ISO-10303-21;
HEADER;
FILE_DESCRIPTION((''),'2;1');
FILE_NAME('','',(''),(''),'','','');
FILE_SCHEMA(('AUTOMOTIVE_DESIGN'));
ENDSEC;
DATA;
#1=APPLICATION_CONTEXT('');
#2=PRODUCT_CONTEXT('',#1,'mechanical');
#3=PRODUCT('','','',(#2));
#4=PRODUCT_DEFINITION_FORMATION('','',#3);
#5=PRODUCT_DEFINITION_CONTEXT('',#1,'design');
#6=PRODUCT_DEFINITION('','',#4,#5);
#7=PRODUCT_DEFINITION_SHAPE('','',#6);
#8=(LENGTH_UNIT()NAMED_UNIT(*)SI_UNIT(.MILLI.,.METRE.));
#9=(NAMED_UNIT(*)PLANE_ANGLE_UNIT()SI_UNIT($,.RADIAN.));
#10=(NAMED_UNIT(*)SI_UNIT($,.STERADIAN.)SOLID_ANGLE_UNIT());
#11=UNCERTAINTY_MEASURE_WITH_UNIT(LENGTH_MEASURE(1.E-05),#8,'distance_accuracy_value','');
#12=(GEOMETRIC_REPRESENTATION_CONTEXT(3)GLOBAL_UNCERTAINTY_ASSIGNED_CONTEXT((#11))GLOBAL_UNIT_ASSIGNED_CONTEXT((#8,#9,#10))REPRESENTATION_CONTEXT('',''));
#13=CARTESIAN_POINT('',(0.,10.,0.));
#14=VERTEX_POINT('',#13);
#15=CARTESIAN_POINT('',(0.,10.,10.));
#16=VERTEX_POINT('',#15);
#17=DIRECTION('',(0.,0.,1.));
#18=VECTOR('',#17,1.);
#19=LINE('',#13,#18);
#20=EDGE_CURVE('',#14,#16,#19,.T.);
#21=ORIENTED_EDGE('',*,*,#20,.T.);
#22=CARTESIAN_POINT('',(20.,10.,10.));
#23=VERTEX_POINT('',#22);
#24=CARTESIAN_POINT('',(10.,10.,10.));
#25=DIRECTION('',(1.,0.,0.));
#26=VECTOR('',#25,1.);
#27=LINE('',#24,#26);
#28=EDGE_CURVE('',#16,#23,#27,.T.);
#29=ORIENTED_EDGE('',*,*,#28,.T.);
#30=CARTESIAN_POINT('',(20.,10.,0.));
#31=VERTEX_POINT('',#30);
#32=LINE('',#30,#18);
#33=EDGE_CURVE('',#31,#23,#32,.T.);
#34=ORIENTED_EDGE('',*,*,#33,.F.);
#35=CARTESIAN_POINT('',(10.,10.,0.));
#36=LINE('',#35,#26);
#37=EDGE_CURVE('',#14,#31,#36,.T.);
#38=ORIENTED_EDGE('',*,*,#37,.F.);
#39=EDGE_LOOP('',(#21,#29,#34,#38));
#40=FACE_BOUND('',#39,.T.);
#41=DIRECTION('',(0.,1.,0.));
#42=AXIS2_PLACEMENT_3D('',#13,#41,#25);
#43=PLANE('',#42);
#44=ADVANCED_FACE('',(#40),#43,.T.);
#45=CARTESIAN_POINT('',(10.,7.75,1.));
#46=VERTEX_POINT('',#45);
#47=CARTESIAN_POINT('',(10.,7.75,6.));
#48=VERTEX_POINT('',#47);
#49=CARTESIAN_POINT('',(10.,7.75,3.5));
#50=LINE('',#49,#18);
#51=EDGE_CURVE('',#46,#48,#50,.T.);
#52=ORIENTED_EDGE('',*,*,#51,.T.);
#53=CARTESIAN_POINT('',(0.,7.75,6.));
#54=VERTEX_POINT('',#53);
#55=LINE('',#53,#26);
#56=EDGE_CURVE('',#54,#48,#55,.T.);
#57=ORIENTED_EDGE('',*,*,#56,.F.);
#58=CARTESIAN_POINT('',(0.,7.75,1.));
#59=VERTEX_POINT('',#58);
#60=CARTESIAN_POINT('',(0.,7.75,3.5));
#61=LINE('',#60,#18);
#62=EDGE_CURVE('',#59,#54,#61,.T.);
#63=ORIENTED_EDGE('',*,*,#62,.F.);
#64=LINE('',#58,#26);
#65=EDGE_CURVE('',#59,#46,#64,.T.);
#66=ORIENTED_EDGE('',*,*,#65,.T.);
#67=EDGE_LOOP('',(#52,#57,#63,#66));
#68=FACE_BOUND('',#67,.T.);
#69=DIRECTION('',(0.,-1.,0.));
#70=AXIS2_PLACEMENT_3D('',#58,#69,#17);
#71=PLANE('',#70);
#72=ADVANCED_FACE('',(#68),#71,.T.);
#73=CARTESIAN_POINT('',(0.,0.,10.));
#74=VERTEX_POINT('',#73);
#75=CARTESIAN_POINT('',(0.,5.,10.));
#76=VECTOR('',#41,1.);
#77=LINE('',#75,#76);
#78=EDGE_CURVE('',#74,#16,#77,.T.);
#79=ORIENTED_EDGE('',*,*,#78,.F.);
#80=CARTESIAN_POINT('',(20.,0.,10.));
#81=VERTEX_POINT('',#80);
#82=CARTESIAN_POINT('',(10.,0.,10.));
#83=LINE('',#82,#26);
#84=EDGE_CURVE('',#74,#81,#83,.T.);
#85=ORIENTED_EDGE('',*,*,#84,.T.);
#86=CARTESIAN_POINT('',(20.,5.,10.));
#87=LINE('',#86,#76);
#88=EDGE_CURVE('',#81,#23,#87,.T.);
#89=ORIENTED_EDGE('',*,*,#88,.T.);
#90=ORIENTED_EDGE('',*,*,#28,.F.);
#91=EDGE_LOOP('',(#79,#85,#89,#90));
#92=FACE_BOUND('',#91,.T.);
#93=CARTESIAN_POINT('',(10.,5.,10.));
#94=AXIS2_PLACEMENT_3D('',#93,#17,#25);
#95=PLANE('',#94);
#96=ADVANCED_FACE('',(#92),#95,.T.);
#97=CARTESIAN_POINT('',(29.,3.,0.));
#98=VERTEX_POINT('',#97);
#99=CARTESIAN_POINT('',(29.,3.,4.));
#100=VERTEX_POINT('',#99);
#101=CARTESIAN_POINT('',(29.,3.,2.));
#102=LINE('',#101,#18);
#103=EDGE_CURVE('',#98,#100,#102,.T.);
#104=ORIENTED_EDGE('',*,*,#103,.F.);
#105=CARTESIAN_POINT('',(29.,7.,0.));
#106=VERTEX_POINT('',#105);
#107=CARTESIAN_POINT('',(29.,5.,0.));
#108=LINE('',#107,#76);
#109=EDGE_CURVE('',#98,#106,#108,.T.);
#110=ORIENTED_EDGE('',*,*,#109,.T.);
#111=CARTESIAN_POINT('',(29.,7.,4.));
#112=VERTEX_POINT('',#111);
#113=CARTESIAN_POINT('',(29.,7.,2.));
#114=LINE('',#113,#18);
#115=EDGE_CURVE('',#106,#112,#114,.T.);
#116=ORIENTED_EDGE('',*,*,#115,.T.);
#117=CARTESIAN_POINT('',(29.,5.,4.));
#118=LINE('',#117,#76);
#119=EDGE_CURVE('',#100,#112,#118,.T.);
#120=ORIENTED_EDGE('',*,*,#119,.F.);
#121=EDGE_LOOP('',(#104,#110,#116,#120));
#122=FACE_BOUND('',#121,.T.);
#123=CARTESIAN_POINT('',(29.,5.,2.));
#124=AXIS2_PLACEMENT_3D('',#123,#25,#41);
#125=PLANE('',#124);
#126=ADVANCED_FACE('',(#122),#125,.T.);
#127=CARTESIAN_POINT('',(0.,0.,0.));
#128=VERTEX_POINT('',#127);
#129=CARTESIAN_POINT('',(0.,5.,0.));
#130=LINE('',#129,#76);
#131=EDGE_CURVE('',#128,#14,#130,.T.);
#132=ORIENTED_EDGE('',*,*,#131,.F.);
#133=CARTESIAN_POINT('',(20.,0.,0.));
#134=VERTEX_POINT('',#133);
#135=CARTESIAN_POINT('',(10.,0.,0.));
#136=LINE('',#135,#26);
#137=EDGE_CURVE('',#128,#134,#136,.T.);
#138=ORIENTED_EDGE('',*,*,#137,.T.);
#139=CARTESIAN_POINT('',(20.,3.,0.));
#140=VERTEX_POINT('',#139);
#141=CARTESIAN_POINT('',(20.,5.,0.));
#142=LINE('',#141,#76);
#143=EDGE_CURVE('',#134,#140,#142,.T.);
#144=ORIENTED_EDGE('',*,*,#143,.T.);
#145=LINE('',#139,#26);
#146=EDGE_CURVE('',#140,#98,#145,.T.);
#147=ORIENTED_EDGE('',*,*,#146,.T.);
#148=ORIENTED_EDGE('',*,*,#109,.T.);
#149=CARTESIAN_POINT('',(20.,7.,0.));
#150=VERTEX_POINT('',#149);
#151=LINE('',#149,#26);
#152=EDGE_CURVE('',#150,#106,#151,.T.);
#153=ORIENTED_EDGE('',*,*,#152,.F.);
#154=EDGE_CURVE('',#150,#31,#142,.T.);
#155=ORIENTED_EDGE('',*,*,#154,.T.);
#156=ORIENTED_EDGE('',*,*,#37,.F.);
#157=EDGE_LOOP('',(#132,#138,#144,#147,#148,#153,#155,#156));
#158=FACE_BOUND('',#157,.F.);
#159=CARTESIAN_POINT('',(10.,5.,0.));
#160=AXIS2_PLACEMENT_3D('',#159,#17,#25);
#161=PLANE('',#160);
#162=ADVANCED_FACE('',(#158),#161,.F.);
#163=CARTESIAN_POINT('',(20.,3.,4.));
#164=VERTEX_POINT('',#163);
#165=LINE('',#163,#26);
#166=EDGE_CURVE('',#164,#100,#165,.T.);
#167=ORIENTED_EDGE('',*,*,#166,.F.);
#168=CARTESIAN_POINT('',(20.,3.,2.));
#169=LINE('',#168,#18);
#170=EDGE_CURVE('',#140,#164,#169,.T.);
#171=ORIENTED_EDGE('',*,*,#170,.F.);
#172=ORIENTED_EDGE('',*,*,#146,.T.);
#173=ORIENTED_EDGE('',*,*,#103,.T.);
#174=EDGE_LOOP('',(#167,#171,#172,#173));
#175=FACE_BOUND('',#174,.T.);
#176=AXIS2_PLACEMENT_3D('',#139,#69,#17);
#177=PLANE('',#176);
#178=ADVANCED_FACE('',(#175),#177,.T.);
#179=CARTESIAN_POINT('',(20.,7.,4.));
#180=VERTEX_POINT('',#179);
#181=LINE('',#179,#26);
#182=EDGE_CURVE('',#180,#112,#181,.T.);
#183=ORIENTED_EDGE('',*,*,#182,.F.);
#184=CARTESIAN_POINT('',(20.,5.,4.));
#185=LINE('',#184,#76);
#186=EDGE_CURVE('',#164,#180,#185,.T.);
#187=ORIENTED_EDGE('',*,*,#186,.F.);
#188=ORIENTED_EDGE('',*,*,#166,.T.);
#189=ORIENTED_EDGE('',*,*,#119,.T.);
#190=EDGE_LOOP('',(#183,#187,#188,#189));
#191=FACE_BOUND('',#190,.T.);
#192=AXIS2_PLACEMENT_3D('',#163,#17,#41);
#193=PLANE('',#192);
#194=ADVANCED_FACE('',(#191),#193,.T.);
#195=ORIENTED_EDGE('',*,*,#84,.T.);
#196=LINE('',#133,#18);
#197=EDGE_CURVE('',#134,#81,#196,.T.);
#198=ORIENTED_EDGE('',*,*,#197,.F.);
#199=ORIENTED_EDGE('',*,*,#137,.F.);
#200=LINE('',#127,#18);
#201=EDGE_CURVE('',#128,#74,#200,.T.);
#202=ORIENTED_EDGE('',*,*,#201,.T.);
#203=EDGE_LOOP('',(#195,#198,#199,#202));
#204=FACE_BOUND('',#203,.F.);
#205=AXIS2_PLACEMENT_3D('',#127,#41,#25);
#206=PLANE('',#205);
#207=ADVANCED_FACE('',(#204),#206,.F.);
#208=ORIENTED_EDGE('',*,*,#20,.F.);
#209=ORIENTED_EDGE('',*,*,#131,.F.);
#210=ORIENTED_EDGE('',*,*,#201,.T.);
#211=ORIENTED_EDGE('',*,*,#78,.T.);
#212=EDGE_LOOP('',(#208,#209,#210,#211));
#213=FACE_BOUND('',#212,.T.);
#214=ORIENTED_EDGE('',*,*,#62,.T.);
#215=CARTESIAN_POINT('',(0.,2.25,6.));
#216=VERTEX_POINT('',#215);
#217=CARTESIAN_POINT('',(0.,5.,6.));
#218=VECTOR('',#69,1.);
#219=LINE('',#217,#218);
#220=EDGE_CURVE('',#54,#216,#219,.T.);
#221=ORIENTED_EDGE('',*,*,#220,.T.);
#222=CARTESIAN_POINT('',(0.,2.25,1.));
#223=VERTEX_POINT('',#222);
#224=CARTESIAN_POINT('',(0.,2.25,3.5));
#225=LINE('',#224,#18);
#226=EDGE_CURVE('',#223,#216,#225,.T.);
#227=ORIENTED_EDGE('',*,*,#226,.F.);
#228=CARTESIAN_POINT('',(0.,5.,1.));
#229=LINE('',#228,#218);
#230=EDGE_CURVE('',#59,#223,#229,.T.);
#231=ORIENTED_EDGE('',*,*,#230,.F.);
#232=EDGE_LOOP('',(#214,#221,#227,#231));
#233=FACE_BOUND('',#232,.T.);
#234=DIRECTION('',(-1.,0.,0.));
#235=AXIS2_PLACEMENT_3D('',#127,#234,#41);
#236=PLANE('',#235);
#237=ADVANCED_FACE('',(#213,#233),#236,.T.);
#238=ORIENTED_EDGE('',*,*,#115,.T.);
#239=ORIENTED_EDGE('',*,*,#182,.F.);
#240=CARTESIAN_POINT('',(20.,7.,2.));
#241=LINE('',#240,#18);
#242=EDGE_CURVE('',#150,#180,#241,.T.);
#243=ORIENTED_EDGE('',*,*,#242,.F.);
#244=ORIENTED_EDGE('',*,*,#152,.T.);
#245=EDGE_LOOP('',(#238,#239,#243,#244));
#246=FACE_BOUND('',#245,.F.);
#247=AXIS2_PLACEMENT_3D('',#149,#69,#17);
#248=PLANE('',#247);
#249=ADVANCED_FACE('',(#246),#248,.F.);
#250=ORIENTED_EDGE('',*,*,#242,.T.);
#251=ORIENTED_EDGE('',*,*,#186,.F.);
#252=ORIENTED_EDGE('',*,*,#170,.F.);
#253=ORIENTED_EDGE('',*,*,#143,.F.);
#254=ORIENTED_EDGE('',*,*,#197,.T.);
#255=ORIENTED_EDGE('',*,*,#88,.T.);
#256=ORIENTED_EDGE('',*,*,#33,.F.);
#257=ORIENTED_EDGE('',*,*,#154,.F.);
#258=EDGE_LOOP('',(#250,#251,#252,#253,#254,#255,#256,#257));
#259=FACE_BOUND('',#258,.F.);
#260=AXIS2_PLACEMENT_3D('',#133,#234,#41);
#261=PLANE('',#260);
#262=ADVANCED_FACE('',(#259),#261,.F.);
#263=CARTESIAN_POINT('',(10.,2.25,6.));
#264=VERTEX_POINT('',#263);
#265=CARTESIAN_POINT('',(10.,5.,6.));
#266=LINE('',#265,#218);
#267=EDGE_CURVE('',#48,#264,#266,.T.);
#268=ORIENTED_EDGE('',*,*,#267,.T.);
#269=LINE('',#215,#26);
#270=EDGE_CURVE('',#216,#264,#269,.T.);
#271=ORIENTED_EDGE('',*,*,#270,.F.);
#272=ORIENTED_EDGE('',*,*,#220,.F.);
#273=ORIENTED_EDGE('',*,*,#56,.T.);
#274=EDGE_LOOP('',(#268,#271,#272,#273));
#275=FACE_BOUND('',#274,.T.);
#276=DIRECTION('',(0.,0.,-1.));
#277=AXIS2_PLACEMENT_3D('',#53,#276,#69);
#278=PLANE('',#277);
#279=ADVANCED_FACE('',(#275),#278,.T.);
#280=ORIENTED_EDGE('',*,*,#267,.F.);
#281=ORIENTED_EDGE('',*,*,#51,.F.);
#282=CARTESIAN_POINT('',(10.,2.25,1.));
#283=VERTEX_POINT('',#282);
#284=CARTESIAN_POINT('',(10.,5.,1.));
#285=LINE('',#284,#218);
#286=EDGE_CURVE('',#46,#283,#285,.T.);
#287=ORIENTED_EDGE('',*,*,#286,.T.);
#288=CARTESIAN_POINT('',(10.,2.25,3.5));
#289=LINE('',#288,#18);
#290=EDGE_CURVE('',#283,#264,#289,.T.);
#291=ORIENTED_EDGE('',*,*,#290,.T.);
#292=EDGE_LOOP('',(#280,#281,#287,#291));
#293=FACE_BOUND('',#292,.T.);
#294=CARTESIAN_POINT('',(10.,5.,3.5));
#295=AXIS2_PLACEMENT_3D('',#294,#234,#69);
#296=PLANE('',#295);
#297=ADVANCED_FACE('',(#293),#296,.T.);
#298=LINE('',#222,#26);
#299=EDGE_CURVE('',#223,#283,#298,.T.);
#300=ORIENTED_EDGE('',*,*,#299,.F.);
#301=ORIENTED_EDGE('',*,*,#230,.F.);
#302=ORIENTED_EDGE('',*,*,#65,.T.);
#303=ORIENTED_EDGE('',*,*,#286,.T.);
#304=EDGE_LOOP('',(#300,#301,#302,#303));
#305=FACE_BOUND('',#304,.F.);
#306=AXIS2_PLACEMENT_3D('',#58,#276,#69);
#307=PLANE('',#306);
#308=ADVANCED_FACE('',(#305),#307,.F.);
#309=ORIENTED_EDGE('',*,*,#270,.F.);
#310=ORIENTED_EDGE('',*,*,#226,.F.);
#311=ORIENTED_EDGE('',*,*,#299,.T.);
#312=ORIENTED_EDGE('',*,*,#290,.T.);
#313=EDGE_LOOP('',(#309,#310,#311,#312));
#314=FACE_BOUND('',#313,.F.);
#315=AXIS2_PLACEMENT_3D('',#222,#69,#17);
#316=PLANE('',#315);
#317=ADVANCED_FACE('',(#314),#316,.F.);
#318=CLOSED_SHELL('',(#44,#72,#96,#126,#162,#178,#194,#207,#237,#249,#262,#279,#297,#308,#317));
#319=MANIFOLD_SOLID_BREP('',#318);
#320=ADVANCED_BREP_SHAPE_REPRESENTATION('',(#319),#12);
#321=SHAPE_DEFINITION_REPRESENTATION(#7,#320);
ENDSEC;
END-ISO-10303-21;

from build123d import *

# Parameters (mm, degrees)
F0_W     = 20
F0_H     = 10
F1_DEPTH = 10
F2_W     = 4
F2_H     = 4
F3_DEPTH = 9
F4_W     = 5.5
F4_H     = 5
F5_DEPTH = 10


with BuildPart() as f1:
    # F0 (on Top) → F1 (new body)
    with BuildSketch(Plane.XY):
        with Locations((10, 5)):
            Rectangle(F0_W, F0_H)
    extrude(amount=F1_DEPTH)

    # F2 (on face) → F3 (join)
    with BuildSketch(Plane.YZ.offset(20)):
        with Locations((5, 2)):
            Rectangle(F2_W, F2_H)
    extrude(amount=F3_DEPTH)

    # F4 (on face) → F5 (cut)
    with BuildSketch(Plane(origin=(0, 0, 0), x_dir=(0, -1, 0), z_dir=(-1, 0, 0))):
        with Locations((-5, 3.5)):
            Rectangle(F4_W, F4_H)
    extrude(amount=-F5_DEPTH, mode=Mode.SUBTRACT)


solid = f1.part
